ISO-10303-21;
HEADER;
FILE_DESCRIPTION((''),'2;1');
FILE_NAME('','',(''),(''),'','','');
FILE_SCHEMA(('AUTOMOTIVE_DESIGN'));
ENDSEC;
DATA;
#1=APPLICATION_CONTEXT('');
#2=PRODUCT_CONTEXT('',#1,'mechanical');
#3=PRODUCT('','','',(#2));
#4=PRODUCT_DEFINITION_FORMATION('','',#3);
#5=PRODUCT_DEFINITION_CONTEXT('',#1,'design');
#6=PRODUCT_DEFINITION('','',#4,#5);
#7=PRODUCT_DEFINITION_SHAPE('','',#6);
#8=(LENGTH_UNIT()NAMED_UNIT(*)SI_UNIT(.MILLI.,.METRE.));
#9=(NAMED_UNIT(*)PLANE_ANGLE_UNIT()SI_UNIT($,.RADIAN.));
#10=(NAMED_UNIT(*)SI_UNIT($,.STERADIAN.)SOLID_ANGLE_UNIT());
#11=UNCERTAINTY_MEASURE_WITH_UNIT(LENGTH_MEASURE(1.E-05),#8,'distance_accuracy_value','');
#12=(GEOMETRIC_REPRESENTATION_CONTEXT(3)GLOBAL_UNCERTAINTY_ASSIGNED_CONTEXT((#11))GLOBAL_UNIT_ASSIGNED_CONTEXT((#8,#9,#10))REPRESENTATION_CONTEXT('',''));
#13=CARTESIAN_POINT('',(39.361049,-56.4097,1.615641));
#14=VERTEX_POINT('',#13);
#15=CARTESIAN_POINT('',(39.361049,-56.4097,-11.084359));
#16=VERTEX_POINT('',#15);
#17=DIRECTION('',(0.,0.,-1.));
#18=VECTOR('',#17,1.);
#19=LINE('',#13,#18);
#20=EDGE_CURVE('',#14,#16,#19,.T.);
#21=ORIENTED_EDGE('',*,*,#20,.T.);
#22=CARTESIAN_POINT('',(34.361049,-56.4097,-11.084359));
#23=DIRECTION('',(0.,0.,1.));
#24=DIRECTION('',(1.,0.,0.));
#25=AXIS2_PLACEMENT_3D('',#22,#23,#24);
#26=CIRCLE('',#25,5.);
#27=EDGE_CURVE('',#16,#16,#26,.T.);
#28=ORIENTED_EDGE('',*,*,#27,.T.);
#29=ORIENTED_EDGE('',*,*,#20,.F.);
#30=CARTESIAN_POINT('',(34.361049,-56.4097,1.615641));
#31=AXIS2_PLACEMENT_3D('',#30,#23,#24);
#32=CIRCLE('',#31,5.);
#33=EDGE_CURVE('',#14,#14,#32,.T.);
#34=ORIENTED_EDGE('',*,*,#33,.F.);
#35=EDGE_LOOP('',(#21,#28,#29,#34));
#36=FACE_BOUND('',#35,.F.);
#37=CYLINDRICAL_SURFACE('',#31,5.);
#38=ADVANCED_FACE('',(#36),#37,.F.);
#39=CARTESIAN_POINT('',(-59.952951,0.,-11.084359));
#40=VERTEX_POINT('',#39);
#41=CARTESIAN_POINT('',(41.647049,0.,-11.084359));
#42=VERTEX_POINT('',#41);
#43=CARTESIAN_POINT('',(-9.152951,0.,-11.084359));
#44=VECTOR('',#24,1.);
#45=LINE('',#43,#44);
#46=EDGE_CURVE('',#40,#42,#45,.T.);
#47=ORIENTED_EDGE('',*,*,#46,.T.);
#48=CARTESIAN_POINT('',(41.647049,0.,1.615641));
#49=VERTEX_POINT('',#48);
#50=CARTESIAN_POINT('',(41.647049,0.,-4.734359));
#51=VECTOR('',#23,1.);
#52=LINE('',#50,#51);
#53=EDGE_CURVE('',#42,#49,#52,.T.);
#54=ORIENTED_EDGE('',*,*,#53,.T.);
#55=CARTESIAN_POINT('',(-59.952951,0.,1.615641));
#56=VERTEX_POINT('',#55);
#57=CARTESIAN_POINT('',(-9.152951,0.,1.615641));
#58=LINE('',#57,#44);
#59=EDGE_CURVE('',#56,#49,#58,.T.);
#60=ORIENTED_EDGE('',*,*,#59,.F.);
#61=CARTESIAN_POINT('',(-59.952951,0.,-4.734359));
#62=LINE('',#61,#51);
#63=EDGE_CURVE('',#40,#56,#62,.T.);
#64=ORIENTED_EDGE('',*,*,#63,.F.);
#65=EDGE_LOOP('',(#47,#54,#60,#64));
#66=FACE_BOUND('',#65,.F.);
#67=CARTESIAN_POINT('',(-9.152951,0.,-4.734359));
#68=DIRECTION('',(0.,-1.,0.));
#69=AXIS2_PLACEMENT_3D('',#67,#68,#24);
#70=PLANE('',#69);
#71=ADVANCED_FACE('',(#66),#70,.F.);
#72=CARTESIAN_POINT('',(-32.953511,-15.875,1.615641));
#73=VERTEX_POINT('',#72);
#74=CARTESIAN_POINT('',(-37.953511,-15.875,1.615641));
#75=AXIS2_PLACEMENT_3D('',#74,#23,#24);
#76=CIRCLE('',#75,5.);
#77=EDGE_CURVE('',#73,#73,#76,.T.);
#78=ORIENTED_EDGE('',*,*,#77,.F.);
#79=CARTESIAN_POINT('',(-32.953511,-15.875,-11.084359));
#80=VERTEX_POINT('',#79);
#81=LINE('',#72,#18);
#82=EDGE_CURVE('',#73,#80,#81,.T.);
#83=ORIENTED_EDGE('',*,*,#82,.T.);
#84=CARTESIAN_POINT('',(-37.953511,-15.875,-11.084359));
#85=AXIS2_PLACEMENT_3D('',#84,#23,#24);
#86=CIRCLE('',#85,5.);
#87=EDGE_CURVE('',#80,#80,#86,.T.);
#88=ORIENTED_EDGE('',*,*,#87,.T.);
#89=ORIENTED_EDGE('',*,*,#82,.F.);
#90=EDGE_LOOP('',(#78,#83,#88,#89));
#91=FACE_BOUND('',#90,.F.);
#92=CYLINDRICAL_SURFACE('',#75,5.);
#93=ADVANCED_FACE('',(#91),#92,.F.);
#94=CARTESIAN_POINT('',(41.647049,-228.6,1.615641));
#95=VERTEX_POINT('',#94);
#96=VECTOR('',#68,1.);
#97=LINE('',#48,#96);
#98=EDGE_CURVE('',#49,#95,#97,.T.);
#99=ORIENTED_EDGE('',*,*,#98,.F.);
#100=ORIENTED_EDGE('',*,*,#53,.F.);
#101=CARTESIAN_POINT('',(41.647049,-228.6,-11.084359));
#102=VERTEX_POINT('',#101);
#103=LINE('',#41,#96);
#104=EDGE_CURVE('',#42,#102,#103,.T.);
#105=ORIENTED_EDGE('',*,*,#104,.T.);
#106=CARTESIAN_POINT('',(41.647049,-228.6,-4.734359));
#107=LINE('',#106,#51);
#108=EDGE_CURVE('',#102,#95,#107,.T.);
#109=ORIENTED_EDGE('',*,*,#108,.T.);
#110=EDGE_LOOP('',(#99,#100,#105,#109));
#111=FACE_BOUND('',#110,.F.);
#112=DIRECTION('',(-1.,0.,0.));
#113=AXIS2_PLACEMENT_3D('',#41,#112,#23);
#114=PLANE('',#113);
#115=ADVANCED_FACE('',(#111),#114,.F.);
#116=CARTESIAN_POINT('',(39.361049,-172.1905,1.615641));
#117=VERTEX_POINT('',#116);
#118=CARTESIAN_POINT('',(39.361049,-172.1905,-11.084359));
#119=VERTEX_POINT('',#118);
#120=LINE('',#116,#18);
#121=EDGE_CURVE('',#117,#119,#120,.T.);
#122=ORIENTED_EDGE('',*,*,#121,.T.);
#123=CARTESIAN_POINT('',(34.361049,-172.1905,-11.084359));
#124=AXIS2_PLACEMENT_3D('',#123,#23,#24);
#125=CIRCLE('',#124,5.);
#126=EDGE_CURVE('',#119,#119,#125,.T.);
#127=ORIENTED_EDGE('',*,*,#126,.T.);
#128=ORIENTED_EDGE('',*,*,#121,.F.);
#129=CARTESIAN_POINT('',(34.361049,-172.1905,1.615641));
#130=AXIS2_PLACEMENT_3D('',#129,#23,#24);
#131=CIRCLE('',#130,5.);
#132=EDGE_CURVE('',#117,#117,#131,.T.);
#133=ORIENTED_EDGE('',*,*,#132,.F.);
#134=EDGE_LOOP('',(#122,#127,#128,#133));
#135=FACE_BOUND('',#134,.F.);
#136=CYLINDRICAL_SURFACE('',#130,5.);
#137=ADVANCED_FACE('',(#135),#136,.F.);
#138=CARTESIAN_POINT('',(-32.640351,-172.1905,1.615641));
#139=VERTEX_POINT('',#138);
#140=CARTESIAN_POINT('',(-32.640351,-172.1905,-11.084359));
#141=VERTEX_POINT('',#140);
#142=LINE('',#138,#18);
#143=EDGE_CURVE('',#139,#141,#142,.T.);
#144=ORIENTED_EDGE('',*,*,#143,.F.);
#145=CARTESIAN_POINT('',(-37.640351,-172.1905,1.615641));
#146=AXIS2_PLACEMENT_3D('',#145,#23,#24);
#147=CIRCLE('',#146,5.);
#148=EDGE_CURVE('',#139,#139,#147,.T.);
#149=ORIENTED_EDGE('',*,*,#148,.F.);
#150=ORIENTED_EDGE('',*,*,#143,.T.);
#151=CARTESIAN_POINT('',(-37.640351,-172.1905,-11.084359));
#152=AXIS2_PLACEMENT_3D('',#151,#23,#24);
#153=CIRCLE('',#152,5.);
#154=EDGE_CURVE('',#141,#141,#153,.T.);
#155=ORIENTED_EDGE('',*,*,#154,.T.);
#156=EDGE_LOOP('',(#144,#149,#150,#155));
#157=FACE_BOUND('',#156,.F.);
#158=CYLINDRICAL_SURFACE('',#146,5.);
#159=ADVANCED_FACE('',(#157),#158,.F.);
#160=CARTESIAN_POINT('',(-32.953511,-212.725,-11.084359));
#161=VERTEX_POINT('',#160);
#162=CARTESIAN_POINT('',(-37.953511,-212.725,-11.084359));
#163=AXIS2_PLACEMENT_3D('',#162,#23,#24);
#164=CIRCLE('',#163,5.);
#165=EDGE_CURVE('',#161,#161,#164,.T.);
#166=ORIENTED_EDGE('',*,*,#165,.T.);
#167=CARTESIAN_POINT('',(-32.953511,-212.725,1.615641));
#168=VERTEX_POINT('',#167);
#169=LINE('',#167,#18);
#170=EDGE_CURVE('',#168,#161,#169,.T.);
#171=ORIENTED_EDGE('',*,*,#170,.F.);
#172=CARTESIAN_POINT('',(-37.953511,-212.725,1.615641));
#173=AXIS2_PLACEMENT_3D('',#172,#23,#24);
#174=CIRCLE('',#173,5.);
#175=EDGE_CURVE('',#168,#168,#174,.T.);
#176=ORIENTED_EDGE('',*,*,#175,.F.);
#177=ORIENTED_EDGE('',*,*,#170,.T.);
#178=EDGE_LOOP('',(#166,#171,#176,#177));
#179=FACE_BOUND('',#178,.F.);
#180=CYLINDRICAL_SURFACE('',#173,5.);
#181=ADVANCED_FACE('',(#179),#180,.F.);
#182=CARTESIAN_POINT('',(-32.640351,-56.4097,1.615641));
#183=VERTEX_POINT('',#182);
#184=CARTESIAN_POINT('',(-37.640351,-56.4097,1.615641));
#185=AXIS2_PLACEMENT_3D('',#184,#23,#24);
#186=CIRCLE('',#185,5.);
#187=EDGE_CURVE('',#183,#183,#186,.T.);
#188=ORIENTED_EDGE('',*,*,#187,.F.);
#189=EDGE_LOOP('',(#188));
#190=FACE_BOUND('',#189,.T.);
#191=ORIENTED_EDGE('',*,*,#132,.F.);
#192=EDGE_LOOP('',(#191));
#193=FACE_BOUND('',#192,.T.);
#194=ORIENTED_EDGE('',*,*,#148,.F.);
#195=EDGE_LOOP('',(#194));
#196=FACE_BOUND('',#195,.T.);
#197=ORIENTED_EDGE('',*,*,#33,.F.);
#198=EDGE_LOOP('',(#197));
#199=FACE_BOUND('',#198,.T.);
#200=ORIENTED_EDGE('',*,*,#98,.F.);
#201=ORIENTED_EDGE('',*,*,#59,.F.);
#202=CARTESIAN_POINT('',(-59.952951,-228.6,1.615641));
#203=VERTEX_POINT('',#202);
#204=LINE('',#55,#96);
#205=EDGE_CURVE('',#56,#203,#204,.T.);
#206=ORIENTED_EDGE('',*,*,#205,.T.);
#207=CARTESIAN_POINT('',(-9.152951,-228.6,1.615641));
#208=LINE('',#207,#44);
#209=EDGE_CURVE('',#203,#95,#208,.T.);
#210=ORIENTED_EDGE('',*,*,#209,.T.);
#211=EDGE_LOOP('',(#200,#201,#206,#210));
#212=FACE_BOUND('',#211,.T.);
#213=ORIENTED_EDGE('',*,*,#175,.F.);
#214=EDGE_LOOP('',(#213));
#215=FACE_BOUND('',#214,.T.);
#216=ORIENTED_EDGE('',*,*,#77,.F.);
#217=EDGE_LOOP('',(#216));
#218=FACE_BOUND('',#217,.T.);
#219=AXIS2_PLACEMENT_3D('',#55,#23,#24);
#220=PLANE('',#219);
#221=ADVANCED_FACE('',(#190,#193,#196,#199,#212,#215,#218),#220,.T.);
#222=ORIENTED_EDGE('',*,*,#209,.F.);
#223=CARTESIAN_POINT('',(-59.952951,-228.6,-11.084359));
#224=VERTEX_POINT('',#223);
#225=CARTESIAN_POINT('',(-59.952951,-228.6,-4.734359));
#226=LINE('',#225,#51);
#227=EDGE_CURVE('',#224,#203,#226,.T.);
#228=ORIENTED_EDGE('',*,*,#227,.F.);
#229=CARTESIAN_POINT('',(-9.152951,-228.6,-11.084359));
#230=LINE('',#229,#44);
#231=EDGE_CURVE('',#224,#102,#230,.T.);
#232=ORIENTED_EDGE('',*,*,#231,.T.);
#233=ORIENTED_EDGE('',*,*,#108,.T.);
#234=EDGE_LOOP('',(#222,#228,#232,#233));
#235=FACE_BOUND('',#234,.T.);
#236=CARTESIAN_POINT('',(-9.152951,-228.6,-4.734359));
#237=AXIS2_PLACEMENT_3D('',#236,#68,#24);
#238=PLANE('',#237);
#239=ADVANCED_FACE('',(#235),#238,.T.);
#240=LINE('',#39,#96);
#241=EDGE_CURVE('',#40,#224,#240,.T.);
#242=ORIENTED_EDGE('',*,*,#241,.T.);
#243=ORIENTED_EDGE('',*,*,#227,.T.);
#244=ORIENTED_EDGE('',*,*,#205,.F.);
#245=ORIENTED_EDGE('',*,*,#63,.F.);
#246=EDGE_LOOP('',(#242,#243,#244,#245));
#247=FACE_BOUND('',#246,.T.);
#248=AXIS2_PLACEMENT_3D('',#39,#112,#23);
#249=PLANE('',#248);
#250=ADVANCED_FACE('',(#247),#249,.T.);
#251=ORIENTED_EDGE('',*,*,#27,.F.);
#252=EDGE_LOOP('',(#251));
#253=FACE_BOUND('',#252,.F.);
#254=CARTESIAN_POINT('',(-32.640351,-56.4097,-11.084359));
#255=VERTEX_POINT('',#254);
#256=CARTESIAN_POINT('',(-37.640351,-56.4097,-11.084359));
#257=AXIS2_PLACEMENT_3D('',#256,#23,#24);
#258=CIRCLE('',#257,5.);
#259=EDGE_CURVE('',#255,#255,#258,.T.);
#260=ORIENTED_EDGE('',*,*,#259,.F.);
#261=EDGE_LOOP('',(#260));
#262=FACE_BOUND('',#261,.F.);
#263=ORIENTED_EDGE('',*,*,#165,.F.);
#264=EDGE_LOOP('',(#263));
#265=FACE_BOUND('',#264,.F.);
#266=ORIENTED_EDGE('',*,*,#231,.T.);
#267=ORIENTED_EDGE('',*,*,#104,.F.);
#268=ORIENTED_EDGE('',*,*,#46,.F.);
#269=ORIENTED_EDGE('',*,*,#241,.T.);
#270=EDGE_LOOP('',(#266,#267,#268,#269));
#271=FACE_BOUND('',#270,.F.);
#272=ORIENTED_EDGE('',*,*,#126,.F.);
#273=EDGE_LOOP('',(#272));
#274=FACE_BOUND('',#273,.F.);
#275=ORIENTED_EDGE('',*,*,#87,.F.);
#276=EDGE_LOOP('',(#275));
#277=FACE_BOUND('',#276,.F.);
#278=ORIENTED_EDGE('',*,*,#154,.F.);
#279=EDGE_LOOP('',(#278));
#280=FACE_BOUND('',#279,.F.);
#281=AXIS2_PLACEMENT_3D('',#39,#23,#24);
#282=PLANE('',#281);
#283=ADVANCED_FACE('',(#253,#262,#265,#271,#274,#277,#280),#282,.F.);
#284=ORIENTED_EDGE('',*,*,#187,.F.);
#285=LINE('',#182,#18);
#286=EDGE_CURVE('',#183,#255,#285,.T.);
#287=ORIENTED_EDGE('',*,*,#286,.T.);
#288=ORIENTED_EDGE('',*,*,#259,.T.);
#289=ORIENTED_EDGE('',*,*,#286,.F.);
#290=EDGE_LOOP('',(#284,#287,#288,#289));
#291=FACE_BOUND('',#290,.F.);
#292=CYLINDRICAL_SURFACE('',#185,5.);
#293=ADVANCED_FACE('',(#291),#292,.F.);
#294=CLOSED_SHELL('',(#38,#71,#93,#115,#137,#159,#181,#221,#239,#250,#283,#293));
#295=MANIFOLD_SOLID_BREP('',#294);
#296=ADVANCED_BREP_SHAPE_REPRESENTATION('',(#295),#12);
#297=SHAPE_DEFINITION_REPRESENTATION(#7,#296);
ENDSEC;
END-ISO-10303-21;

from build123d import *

# Parameters (mm, degrees)
F0_W     = 101.6
F0_H     = 12.7
F1_DEPTH = 228.6
F2_R     = 5
F3_DEPTH = 12.701


with BuildPart() as f1:
    # F0 (on Front) → F1 (new body)
    with BuildSketch(Plane.XZ):
        with Locations((-9.152951, -4.734359)):
            Rectangle(F0_W, F0_H)
    extrude(amount=F1_DEPTH)

    # F2 (on face) → F3 (cut, through all)
    with BuildSketch(Plane.XY.offset(1.615641)):
        with Locations((34.361049, -56.4097)):
            Circle(F2_R)
        with Locations((34.361049, -172.1905)):
            Circle(F2_R)
        with Locations((-37.640351, -56.4097)):
            Circle(F2_R)
        with Locations((-37.640351, -172.1905)):
            Circle(F2_R)
        with Locations((-37.953511, -212.725)):
            Circle(F2_R)
        with Locations((-37.953511, -15.875)):
            Circle(F2_R)
    extrude(amount=-F3_DEPTH, mode=Mode.SUBTRACT)


solid = f1.part
